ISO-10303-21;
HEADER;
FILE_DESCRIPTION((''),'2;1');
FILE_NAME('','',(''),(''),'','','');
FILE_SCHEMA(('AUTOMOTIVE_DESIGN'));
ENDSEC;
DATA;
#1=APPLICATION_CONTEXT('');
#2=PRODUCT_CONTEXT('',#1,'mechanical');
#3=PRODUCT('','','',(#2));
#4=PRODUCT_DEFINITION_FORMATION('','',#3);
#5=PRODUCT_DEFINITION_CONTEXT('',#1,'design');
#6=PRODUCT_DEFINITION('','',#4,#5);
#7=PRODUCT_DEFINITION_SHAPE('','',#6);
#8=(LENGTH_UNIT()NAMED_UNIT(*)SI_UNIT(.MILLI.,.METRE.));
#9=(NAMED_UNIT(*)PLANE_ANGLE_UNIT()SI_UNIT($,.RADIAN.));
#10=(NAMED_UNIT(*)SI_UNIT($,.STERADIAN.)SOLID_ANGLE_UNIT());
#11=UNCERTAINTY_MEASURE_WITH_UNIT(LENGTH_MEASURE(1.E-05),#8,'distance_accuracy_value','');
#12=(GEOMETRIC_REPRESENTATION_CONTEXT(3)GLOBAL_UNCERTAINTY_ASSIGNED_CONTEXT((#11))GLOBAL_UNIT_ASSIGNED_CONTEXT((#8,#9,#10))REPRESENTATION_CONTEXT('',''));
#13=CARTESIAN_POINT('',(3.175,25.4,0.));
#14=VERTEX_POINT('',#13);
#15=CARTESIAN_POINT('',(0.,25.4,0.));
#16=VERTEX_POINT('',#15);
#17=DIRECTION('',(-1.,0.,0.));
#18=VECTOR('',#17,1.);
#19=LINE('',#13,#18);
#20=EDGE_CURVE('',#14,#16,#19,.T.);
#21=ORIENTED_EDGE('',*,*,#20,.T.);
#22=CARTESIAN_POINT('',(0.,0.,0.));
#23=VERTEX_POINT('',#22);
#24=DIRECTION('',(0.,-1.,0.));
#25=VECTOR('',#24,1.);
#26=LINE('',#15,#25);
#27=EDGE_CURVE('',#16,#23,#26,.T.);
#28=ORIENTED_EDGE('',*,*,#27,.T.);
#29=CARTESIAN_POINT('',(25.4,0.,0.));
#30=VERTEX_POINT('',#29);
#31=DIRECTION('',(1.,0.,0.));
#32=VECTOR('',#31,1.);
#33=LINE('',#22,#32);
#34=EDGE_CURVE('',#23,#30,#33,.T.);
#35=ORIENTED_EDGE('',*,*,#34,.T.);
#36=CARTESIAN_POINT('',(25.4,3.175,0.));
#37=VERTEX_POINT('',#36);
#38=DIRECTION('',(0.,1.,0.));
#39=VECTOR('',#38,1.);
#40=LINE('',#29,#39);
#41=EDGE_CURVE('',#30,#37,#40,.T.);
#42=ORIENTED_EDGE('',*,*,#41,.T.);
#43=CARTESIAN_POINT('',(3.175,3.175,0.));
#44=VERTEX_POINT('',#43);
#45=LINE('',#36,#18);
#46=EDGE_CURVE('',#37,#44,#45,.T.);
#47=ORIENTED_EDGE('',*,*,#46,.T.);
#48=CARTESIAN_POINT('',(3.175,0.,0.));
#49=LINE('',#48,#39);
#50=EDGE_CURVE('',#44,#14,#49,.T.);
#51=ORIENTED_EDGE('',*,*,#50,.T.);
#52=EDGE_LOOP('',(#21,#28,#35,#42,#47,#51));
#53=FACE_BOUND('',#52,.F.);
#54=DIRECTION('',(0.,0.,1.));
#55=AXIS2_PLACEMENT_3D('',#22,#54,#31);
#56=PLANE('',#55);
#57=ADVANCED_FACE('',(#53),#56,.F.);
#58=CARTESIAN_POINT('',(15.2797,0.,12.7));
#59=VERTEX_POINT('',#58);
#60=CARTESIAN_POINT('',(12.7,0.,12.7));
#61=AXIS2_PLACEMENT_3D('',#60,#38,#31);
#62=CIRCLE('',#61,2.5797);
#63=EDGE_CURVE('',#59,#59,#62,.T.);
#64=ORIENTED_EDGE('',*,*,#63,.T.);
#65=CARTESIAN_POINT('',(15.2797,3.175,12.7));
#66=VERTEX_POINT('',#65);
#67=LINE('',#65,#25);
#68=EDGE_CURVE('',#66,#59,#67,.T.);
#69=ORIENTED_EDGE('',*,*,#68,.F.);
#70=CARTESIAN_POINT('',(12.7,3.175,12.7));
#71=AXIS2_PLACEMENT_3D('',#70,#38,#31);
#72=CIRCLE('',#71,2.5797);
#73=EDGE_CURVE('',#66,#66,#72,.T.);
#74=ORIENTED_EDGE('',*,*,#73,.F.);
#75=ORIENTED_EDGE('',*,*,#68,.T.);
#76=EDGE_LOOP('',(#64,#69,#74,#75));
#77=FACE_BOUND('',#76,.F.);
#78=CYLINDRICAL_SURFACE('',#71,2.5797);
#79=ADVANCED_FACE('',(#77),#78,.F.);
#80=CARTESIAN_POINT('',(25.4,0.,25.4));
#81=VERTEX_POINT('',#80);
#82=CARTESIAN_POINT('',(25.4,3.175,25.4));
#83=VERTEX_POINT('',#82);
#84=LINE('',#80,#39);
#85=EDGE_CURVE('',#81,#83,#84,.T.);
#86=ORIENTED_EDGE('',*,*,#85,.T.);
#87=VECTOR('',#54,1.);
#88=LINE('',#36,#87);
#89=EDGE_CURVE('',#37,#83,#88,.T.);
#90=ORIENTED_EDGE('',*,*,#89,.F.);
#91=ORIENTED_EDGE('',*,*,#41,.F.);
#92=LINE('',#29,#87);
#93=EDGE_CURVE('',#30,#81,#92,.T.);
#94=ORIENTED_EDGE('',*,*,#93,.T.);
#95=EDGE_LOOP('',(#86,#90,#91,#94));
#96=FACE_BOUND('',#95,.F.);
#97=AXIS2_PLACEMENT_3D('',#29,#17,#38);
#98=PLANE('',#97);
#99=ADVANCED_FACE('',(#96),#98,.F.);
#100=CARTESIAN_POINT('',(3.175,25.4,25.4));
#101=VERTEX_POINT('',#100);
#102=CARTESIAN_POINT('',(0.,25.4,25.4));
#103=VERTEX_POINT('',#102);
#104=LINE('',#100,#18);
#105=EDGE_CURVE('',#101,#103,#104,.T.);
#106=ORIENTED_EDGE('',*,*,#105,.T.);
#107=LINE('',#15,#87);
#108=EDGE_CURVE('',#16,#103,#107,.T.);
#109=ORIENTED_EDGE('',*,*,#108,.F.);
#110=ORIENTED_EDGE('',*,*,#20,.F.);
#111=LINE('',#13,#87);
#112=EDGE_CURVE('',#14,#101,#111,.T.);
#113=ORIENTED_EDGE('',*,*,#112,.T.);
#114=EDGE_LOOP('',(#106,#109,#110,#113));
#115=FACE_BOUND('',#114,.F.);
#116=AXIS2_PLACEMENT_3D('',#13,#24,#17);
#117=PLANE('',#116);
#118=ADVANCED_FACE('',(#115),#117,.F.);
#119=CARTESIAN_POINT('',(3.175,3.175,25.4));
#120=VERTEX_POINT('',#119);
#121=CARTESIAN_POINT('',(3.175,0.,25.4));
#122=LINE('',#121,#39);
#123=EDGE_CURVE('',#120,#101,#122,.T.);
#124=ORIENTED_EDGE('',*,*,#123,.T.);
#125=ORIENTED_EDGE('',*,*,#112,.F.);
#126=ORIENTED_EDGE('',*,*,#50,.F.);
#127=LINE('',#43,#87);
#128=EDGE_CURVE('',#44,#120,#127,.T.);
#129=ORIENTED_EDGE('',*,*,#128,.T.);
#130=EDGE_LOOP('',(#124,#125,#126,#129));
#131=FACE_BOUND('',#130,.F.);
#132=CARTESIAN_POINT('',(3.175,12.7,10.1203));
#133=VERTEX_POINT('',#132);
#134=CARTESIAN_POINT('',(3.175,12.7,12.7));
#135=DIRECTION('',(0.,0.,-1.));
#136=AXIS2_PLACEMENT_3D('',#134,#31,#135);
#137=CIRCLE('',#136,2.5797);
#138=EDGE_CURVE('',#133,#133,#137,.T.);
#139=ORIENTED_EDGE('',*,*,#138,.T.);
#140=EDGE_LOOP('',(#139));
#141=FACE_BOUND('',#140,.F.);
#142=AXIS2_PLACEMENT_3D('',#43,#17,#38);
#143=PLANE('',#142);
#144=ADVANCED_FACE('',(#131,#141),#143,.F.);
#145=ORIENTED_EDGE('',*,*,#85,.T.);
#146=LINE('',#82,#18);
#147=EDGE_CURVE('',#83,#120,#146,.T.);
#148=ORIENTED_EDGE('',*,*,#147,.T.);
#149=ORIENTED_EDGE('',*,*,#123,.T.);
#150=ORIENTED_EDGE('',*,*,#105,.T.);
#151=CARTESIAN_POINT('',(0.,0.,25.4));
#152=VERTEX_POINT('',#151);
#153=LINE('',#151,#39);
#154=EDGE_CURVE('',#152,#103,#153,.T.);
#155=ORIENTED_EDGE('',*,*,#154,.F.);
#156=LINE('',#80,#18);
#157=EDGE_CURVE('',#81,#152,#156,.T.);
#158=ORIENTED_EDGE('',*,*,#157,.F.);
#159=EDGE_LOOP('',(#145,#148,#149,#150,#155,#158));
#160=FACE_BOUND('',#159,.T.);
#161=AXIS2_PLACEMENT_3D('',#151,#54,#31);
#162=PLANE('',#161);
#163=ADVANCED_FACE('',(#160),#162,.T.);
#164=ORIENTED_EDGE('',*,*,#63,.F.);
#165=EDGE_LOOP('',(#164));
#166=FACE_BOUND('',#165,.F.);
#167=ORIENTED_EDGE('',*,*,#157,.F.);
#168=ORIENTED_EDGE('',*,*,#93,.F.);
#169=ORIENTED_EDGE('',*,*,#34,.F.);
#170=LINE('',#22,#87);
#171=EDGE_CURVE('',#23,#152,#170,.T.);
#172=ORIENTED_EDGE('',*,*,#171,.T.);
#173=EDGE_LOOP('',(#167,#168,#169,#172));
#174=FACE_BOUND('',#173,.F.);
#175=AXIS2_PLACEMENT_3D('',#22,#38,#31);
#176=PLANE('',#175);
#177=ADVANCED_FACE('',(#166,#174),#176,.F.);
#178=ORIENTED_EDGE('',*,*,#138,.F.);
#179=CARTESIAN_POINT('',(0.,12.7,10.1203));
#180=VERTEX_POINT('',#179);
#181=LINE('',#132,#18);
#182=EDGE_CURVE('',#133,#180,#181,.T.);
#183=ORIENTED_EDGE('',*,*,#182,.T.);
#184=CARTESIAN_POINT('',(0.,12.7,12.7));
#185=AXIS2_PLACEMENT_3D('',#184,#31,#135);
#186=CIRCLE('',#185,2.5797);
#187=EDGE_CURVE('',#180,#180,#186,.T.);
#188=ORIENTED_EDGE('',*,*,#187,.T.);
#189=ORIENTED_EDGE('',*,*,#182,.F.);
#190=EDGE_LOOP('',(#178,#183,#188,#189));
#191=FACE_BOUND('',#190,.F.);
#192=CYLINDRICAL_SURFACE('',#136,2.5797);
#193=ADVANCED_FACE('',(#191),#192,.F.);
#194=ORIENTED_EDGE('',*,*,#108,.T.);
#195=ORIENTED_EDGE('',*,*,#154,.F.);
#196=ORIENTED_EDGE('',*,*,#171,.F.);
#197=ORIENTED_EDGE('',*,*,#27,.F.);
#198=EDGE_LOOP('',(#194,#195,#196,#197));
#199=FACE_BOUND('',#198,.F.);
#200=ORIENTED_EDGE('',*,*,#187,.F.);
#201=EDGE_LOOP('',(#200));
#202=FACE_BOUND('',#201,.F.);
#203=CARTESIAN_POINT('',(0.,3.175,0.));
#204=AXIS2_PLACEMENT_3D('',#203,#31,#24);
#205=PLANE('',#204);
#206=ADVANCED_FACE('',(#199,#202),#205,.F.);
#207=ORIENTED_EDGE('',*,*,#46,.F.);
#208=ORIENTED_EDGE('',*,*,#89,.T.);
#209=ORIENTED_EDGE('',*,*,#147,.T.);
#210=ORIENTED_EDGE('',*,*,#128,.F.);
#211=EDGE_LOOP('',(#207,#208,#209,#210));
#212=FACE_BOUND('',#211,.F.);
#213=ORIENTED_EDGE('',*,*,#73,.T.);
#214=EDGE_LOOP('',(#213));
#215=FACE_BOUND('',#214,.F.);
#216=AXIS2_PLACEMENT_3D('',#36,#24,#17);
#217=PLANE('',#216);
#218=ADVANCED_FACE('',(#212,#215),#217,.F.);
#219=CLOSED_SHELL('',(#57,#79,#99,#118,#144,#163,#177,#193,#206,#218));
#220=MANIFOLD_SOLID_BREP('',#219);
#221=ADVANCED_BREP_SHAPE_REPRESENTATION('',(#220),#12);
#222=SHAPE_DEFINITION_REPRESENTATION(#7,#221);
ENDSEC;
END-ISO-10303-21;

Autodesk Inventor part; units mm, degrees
ref_plane "YZ Plane" through (0, 0, 0) normal (1, 0, 0) x (0, 1, 0)
ref_plane "XZ Plane" through (0, 0, 0) normal (0, 1, 0) x (-1, 0, 0)
ref_plane "XY Plane" through (0, 0, 0) normal (0, 0, 1) x (1, 0, 0)
sketch "Sketch1" plane through (0, 0, 0) normal (0, 0, 1) x (1, 0, 0)
  line L0 (0, 0) -> (3.175, 0)
  line L1 (3.175, 0) -> (3.175, 25.4)
  line L2 (3.175, 25.4) -> (0, 25.4)
  line L3 (0, 25.4) -> (0, 0)
  line L4 (0, 0) -> (25.4, 0)
  line L5 (25.4, 0) -> (25.4, 3.175)
  line L6 (25.4, 3.175) -> (0, 3.175)
  line L7 (0, 3.175) -> (0, 0)
  dimension "d0" = 3.175
  dimension "d1" = 25.4
  dimension "d2" = 25.4
  dimension "d3" = 3.175
extrude "Extrusion1" add sketch "Sketch1" along normal blind 25.4
sketch "Sketch2" plane through (3.175, 3.175, 0) normal (1, 0, 0) x (0, 0, -1)
  line L0 (0, 22.225) -> (-25.4, 22.225) construction
  line L1 (-12.7, 22.225) -> (-12.7, 9.525) construction
  circle A0 centre (-12.7, 9.525) radius 2.5797
  point P0 (0, -3.175)
  dimension "d6" = 12.7
  dimension "d7" = 5.1594
extrude "Extrusion2" cut sketch "Sketch2" against normal blind 25.4
sketch "Sketch3" plane through (3.175, 3.175, 0) normal (0, 1, 0) x (1, 0, 0)
  line L0 (22.225, 0) -> (22.225, -25.4) construction
  line L1 (22.225, -12.7) -> (9.525, -12.7) construction
  circle A0 centre (9.525, -12.7) radius 2.5797
  point P0 (-3.175, 0)
  dimension "d10" = 12.7
  dimension "d11" = 5.1594
extrude "Extrusion3" cut sketch "Sketch3" against normal blind 25.4
properties part number "L-Bracket L"
